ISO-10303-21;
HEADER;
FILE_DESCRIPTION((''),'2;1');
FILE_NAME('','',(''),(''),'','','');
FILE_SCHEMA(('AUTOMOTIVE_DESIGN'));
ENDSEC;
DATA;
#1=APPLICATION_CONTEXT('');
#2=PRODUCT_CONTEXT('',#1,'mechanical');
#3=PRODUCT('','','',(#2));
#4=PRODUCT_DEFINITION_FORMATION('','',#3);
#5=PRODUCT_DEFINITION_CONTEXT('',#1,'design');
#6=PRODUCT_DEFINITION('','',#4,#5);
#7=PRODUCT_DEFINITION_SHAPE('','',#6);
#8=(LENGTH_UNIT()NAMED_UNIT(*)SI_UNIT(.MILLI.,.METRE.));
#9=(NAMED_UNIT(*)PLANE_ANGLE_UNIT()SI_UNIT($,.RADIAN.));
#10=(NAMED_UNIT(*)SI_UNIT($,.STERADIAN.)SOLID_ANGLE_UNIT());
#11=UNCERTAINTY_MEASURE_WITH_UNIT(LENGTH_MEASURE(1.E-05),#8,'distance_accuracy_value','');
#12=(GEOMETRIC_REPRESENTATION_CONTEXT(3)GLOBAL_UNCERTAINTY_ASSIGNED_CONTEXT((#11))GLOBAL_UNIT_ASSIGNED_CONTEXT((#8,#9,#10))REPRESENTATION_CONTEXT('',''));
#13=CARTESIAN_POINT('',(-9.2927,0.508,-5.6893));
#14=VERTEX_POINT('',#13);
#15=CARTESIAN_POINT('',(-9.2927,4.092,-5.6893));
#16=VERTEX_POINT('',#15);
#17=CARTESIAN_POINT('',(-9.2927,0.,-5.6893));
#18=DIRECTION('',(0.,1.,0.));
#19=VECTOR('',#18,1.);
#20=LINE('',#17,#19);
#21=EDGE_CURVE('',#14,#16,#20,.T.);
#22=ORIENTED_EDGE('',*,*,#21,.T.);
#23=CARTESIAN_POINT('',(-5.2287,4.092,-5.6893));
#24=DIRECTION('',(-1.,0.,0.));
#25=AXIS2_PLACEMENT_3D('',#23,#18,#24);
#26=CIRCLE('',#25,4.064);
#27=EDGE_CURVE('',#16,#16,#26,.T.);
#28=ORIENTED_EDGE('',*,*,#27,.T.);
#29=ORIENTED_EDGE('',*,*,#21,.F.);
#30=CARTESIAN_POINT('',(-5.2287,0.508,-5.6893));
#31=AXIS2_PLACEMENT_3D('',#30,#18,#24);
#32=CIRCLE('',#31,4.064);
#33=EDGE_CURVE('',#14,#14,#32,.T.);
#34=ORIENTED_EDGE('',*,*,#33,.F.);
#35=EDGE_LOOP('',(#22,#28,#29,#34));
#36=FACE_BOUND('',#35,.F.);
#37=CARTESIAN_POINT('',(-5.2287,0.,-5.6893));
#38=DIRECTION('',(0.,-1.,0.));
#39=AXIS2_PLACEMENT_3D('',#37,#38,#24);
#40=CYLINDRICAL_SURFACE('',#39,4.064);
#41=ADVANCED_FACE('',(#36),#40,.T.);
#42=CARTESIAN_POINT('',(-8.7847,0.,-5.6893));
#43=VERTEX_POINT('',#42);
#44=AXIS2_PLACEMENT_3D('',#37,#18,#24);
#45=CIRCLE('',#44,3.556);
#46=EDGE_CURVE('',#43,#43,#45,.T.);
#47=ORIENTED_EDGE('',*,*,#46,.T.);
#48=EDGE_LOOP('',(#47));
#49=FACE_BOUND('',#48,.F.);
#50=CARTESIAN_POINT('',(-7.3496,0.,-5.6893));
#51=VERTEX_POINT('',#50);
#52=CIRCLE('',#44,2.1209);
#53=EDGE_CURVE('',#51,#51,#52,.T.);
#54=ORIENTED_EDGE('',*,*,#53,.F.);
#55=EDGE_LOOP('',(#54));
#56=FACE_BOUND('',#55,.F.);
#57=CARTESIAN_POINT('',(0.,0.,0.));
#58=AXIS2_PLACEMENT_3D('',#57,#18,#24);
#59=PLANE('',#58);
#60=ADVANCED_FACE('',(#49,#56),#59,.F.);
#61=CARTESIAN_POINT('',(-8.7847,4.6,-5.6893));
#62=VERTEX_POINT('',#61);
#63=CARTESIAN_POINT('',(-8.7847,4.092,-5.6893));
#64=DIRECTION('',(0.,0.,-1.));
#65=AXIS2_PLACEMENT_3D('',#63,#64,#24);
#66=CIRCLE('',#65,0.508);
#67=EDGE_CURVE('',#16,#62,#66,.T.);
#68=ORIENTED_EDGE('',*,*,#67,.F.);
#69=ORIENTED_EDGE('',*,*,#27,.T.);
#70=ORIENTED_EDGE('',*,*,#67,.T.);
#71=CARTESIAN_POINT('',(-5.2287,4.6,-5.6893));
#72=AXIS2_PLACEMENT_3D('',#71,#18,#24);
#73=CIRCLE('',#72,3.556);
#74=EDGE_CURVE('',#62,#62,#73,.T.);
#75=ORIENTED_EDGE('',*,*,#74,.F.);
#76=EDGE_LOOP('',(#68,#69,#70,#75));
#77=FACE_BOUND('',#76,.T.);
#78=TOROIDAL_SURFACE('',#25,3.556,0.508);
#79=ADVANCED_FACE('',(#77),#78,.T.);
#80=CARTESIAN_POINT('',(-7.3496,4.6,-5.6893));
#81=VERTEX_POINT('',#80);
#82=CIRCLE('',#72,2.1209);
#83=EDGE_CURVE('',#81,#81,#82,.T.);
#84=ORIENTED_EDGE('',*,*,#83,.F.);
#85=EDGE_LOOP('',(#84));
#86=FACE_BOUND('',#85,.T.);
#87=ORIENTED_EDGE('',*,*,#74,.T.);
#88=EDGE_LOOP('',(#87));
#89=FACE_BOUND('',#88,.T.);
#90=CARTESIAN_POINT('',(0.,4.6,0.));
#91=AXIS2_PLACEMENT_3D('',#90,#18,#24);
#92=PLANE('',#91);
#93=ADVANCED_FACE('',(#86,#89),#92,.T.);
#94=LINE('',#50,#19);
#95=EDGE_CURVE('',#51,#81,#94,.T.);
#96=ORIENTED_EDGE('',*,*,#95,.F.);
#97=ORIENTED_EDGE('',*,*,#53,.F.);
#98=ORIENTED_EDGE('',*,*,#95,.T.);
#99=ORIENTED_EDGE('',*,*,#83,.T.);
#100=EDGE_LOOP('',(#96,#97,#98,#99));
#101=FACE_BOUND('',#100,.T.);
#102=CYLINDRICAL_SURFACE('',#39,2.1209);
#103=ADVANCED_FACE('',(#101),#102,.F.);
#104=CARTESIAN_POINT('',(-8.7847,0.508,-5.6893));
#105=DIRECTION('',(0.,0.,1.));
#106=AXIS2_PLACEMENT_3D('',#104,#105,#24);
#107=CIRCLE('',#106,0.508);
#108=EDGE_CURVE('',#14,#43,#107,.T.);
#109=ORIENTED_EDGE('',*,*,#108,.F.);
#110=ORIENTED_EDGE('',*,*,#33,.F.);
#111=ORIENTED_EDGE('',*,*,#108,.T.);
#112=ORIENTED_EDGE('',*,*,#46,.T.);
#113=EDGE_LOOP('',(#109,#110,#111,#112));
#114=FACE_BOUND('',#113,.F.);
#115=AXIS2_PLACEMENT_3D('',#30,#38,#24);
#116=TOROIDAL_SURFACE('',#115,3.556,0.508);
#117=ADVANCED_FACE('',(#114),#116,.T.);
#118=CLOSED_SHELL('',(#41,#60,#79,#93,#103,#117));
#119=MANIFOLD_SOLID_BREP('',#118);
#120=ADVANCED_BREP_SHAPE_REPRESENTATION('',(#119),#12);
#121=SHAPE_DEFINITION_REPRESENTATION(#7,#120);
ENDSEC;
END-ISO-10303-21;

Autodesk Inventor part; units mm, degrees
ref_plane "YZ Plane" through (0, 0, 0) normal (1, 0, 0) x (0, 1, 0)
ref_plane "XZ Plane" through (0, 0, 0) normal (0, 1, 0) x (-1, 0, 0)
ref_plane "XY Plane" through (0, 0, 0) normal (0, 0, 1) x (1, 0, 0)
sketch "Sketch1" plane through (0, 0, 0) normal (0, 1, 0) x (-1, 0, 0)
  circle A0 centre (5.2287, -5.6893) radius 4.064
  circle A1 centre (5.2287, -5.6893) radius 2.1209
  point P0 (0, 0)
  dimension "d0" = 8.128
  dimension "d1" = 4.2418
extrude "Extrusion1" add sketch "Sketch1" along normal blind 4.6
fillet "Fillet1" radius 0.508 2 edges at (-1.1647, 4.6, -5.6893) (-1.1647, 0, -5.6893)
properties part number "Spacer (Plastic), 4.6mm_" material "Acetal Resin, Black"
